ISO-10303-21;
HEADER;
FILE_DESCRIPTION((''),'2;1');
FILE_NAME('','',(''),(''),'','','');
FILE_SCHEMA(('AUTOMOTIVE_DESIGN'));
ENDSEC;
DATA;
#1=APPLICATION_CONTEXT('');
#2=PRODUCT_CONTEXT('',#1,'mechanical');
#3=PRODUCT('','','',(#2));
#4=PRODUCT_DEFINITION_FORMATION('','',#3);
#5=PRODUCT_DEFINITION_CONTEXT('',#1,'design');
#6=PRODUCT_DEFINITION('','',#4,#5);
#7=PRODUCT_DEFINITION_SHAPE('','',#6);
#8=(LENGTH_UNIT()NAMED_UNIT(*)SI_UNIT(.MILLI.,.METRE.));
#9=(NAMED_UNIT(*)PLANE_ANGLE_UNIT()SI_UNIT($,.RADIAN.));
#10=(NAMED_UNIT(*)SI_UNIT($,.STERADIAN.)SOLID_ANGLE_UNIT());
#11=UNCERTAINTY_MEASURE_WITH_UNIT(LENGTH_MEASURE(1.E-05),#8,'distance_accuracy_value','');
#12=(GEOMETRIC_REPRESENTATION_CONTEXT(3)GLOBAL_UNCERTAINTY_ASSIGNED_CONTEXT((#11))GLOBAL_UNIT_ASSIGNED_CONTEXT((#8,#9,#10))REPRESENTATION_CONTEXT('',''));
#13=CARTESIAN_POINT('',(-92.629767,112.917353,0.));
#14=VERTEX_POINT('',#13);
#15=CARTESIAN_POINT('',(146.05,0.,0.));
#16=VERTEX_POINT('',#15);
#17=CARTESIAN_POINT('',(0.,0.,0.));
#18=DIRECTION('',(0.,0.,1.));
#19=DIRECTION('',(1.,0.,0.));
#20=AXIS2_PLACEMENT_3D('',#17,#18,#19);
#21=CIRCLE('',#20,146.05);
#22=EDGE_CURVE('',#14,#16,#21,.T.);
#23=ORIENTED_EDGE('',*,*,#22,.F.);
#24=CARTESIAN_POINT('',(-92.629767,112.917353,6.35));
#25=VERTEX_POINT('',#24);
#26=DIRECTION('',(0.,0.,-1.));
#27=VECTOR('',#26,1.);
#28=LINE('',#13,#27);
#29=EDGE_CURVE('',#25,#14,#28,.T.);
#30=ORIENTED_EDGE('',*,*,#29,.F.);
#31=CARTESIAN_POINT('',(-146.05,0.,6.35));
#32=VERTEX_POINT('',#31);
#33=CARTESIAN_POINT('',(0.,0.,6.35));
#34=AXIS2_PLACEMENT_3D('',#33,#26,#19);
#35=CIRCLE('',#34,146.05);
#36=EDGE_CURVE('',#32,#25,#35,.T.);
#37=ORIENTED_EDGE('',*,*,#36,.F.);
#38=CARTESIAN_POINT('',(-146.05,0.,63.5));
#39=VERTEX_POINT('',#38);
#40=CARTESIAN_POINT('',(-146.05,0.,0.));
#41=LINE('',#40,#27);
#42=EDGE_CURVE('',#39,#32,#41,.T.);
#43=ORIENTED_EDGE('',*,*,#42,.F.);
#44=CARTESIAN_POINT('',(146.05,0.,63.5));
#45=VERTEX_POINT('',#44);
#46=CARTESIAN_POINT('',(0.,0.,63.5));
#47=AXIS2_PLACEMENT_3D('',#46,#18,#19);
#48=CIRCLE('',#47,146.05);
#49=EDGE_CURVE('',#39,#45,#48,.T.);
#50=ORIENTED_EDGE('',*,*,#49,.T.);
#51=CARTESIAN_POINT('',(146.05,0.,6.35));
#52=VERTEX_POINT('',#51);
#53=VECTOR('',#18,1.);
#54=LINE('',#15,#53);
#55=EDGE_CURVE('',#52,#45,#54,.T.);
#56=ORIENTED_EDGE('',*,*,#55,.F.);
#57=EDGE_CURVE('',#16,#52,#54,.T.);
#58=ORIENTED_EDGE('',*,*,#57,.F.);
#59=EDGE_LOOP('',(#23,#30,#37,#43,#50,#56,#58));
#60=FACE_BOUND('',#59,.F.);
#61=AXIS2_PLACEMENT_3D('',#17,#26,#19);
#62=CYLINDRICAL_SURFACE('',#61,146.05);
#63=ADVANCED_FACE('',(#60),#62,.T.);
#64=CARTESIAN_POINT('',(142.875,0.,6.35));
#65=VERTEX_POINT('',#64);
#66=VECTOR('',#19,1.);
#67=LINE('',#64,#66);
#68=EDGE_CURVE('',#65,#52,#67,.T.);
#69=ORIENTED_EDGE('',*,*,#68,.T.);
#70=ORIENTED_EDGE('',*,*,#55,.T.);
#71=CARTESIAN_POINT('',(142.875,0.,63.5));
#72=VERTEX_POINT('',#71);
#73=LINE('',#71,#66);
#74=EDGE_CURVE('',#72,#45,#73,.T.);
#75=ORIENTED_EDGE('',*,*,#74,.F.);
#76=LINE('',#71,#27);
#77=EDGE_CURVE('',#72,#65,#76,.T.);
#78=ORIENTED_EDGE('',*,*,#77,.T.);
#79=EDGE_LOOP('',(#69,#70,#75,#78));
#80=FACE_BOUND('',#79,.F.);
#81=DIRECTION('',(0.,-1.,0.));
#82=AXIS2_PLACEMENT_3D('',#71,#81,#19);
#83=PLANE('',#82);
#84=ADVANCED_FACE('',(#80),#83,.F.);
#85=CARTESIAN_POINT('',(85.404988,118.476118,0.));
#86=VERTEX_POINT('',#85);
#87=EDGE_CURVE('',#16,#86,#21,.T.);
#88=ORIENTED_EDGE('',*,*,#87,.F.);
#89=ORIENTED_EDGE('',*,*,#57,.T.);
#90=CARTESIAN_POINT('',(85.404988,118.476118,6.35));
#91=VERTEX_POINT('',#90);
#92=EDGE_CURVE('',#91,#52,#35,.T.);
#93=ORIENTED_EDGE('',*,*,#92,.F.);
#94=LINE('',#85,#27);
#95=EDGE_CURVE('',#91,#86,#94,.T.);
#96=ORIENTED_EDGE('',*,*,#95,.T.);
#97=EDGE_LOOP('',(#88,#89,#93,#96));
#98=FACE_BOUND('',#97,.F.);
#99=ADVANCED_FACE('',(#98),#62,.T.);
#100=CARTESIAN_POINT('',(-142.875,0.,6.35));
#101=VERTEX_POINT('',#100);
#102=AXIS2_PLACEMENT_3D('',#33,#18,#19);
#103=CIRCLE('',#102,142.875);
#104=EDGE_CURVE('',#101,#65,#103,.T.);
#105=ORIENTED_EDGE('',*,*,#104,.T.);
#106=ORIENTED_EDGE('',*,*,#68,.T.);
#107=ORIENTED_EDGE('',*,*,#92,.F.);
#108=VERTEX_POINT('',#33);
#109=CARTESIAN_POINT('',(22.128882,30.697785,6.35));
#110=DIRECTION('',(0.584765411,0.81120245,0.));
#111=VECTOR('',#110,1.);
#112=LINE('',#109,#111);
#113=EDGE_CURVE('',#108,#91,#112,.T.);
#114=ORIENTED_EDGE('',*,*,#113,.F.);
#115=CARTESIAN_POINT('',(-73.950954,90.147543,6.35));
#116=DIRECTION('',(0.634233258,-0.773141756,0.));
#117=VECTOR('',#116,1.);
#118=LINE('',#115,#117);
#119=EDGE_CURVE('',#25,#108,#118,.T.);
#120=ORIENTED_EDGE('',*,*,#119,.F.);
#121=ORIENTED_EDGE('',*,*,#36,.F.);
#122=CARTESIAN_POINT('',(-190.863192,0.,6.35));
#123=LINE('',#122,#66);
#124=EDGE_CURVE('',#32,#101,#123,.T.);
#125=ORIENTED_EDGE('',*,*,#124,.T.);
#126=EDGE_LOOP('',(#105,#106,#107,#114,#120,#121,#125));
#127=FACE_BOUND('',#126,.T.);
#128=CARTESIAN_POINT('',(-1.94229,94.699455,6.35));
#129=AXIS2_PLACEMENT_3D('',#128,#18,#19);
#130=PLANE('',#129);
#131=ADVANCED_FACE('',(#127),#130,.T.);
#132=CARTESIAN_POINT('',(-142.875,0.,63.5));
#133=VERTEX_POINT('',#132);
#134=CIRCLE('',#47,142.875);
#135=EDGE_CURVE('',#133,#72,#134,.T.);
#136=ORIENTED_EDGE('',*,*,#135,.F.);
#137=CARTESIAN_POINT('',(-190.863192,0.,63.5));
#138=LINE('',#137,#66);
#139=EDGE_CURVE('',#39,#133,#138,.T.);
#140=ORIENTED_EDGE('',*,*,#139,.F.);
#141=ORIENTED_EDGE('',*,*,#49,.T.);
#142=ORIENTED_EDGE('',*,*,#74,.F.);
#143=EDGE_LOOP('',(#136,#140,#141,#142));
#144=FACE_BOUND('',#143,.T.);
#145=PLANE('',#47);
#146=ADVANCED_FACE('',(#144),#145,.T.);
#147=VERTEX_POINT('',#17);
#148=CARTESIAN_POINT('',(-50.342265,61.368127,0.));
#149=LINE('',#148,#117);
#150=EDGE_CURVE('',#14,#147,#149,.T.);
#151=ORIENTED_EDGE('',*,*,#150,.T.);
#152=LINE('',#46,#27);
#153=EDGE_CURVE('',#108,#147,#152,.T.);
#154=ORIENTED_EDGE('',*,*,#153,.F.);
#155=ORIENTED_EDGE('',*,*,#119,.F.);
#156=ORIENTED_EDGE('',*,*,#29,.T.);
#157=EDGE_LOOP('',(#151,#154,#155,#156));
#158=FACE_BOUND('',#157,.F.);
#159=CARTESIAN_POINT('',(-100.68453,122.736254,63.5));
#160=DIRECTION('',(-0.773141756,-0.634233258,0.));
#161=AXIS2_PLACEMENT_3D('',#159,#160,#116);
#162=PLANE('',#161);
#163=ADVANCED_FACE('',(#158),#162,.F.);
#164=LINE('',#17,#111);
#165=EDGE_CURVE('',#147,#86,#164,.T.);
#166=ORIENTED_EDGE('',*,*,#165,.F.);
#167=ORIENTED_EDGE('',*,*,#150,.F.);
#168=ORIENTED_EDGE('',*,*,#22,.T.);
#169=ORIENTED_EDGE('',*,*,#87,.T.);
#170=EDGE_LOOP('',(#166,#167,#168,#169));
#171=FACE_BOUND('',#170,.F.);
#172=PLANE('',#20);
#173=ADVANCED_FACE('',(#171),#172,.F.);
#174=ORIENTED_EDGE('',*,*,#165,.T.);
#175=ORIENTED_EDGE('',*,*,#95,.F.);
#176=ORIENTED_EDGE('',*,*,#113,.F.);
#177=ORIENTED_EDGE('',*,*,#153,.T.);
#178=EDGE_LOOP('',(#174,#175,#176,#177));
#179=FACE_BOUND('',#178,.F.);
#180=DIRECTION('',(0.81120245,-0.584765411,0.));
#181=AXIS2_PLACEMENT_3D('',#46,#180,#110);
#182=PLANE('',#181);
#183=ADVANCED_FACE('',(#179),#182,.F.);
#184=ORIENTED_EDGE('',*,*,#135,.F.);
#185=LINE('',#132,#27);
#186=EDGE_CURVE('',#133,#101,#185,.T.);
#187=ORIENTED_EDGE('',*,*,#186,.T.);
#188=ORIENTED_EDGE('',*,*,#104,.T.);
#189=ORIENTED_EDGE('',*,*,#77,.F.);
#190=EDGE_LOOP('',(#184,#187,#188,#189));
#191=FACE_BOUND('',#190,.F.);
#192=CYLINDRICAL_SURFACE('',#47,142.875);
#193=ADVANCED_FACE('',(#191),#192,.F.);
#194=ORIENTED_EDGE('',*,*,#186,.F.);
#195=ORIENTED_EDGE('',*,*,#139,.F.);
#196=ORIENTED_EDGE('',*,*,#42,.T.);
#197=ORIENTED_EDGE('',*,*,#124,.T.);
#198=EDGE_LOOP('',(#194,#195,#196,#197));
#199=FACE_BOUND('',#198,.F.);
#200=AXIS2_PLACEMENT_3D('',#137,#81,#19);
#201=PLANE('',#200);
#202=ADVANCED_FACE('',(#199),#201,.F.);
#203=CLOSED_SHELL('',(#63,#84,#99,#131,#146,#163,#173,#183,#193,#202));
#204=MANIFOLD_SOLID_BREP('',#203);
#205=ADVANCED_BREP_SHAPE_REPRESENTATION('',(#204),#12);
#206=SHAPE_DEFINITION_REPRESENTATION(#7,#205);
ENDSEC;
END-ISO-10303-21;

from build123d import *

# Parameters (mm, degrees)
F0_R     = 146.05
F1_DEPTH = 63.5
F2_R     = 142.875
F3_DEPTH = 57.15
F5_DEPTH = 57.15
F7_DEPTH = 63.501


with BuildPart() as f1:
    # F0 (on Top) → F1 (new body)
    with BuildSketch(Plane.XY):
        Circle(F0_R)
    extrude(amount=F1_DEPTH)

    # F2 (on face) → F3 (cut)
    with BuildSketch(Plane.XY.offset(63.5)):
        Circle(F2_R)
    extrude(amount=-F3_DEPTH, mode=Mode.SUBTRACT)

    # F4 (on face) → F5 (cut)
    with BuildSketch(Plane.XY.offset(63.5)):
        with BuildLine():
            Line((142.875, 0), (186.450183, 0))
            Line((186.450183, 0), (186.450183, 147.836223))
            Line((186.450183, 147.836223), (-190.863192, 147.836223))
            Line((-190.863192, 147.836223), (-190.863192, 0))
            Line((-190.863192, 0), (-142.875, 0))
            ThreePointArc((-142.875, 0), (0, 142.875), (142.875, 0))
        make_face()
    extrude(amount=-F5_DEPTH, mode=Mode.SUBTRACT)

    # F6 (on face) → F7 (cut, through all)
    with BuildSketch(Plane.XY.offset(63.5)):
        with BuildLine():
            Line((0, 0), (92.831509, 128.778389))
            ThreePointArc((92.831509, 128.778389), (-4.756055, 152.325769), (-100.68453, 122.736254))
            Line((-100.68453, 122.736254), (0, 0))
        make_face()
    extrude(amount=-F7_DEPTH, mode=Mode.SUBTRACT)


solid = f1.part
